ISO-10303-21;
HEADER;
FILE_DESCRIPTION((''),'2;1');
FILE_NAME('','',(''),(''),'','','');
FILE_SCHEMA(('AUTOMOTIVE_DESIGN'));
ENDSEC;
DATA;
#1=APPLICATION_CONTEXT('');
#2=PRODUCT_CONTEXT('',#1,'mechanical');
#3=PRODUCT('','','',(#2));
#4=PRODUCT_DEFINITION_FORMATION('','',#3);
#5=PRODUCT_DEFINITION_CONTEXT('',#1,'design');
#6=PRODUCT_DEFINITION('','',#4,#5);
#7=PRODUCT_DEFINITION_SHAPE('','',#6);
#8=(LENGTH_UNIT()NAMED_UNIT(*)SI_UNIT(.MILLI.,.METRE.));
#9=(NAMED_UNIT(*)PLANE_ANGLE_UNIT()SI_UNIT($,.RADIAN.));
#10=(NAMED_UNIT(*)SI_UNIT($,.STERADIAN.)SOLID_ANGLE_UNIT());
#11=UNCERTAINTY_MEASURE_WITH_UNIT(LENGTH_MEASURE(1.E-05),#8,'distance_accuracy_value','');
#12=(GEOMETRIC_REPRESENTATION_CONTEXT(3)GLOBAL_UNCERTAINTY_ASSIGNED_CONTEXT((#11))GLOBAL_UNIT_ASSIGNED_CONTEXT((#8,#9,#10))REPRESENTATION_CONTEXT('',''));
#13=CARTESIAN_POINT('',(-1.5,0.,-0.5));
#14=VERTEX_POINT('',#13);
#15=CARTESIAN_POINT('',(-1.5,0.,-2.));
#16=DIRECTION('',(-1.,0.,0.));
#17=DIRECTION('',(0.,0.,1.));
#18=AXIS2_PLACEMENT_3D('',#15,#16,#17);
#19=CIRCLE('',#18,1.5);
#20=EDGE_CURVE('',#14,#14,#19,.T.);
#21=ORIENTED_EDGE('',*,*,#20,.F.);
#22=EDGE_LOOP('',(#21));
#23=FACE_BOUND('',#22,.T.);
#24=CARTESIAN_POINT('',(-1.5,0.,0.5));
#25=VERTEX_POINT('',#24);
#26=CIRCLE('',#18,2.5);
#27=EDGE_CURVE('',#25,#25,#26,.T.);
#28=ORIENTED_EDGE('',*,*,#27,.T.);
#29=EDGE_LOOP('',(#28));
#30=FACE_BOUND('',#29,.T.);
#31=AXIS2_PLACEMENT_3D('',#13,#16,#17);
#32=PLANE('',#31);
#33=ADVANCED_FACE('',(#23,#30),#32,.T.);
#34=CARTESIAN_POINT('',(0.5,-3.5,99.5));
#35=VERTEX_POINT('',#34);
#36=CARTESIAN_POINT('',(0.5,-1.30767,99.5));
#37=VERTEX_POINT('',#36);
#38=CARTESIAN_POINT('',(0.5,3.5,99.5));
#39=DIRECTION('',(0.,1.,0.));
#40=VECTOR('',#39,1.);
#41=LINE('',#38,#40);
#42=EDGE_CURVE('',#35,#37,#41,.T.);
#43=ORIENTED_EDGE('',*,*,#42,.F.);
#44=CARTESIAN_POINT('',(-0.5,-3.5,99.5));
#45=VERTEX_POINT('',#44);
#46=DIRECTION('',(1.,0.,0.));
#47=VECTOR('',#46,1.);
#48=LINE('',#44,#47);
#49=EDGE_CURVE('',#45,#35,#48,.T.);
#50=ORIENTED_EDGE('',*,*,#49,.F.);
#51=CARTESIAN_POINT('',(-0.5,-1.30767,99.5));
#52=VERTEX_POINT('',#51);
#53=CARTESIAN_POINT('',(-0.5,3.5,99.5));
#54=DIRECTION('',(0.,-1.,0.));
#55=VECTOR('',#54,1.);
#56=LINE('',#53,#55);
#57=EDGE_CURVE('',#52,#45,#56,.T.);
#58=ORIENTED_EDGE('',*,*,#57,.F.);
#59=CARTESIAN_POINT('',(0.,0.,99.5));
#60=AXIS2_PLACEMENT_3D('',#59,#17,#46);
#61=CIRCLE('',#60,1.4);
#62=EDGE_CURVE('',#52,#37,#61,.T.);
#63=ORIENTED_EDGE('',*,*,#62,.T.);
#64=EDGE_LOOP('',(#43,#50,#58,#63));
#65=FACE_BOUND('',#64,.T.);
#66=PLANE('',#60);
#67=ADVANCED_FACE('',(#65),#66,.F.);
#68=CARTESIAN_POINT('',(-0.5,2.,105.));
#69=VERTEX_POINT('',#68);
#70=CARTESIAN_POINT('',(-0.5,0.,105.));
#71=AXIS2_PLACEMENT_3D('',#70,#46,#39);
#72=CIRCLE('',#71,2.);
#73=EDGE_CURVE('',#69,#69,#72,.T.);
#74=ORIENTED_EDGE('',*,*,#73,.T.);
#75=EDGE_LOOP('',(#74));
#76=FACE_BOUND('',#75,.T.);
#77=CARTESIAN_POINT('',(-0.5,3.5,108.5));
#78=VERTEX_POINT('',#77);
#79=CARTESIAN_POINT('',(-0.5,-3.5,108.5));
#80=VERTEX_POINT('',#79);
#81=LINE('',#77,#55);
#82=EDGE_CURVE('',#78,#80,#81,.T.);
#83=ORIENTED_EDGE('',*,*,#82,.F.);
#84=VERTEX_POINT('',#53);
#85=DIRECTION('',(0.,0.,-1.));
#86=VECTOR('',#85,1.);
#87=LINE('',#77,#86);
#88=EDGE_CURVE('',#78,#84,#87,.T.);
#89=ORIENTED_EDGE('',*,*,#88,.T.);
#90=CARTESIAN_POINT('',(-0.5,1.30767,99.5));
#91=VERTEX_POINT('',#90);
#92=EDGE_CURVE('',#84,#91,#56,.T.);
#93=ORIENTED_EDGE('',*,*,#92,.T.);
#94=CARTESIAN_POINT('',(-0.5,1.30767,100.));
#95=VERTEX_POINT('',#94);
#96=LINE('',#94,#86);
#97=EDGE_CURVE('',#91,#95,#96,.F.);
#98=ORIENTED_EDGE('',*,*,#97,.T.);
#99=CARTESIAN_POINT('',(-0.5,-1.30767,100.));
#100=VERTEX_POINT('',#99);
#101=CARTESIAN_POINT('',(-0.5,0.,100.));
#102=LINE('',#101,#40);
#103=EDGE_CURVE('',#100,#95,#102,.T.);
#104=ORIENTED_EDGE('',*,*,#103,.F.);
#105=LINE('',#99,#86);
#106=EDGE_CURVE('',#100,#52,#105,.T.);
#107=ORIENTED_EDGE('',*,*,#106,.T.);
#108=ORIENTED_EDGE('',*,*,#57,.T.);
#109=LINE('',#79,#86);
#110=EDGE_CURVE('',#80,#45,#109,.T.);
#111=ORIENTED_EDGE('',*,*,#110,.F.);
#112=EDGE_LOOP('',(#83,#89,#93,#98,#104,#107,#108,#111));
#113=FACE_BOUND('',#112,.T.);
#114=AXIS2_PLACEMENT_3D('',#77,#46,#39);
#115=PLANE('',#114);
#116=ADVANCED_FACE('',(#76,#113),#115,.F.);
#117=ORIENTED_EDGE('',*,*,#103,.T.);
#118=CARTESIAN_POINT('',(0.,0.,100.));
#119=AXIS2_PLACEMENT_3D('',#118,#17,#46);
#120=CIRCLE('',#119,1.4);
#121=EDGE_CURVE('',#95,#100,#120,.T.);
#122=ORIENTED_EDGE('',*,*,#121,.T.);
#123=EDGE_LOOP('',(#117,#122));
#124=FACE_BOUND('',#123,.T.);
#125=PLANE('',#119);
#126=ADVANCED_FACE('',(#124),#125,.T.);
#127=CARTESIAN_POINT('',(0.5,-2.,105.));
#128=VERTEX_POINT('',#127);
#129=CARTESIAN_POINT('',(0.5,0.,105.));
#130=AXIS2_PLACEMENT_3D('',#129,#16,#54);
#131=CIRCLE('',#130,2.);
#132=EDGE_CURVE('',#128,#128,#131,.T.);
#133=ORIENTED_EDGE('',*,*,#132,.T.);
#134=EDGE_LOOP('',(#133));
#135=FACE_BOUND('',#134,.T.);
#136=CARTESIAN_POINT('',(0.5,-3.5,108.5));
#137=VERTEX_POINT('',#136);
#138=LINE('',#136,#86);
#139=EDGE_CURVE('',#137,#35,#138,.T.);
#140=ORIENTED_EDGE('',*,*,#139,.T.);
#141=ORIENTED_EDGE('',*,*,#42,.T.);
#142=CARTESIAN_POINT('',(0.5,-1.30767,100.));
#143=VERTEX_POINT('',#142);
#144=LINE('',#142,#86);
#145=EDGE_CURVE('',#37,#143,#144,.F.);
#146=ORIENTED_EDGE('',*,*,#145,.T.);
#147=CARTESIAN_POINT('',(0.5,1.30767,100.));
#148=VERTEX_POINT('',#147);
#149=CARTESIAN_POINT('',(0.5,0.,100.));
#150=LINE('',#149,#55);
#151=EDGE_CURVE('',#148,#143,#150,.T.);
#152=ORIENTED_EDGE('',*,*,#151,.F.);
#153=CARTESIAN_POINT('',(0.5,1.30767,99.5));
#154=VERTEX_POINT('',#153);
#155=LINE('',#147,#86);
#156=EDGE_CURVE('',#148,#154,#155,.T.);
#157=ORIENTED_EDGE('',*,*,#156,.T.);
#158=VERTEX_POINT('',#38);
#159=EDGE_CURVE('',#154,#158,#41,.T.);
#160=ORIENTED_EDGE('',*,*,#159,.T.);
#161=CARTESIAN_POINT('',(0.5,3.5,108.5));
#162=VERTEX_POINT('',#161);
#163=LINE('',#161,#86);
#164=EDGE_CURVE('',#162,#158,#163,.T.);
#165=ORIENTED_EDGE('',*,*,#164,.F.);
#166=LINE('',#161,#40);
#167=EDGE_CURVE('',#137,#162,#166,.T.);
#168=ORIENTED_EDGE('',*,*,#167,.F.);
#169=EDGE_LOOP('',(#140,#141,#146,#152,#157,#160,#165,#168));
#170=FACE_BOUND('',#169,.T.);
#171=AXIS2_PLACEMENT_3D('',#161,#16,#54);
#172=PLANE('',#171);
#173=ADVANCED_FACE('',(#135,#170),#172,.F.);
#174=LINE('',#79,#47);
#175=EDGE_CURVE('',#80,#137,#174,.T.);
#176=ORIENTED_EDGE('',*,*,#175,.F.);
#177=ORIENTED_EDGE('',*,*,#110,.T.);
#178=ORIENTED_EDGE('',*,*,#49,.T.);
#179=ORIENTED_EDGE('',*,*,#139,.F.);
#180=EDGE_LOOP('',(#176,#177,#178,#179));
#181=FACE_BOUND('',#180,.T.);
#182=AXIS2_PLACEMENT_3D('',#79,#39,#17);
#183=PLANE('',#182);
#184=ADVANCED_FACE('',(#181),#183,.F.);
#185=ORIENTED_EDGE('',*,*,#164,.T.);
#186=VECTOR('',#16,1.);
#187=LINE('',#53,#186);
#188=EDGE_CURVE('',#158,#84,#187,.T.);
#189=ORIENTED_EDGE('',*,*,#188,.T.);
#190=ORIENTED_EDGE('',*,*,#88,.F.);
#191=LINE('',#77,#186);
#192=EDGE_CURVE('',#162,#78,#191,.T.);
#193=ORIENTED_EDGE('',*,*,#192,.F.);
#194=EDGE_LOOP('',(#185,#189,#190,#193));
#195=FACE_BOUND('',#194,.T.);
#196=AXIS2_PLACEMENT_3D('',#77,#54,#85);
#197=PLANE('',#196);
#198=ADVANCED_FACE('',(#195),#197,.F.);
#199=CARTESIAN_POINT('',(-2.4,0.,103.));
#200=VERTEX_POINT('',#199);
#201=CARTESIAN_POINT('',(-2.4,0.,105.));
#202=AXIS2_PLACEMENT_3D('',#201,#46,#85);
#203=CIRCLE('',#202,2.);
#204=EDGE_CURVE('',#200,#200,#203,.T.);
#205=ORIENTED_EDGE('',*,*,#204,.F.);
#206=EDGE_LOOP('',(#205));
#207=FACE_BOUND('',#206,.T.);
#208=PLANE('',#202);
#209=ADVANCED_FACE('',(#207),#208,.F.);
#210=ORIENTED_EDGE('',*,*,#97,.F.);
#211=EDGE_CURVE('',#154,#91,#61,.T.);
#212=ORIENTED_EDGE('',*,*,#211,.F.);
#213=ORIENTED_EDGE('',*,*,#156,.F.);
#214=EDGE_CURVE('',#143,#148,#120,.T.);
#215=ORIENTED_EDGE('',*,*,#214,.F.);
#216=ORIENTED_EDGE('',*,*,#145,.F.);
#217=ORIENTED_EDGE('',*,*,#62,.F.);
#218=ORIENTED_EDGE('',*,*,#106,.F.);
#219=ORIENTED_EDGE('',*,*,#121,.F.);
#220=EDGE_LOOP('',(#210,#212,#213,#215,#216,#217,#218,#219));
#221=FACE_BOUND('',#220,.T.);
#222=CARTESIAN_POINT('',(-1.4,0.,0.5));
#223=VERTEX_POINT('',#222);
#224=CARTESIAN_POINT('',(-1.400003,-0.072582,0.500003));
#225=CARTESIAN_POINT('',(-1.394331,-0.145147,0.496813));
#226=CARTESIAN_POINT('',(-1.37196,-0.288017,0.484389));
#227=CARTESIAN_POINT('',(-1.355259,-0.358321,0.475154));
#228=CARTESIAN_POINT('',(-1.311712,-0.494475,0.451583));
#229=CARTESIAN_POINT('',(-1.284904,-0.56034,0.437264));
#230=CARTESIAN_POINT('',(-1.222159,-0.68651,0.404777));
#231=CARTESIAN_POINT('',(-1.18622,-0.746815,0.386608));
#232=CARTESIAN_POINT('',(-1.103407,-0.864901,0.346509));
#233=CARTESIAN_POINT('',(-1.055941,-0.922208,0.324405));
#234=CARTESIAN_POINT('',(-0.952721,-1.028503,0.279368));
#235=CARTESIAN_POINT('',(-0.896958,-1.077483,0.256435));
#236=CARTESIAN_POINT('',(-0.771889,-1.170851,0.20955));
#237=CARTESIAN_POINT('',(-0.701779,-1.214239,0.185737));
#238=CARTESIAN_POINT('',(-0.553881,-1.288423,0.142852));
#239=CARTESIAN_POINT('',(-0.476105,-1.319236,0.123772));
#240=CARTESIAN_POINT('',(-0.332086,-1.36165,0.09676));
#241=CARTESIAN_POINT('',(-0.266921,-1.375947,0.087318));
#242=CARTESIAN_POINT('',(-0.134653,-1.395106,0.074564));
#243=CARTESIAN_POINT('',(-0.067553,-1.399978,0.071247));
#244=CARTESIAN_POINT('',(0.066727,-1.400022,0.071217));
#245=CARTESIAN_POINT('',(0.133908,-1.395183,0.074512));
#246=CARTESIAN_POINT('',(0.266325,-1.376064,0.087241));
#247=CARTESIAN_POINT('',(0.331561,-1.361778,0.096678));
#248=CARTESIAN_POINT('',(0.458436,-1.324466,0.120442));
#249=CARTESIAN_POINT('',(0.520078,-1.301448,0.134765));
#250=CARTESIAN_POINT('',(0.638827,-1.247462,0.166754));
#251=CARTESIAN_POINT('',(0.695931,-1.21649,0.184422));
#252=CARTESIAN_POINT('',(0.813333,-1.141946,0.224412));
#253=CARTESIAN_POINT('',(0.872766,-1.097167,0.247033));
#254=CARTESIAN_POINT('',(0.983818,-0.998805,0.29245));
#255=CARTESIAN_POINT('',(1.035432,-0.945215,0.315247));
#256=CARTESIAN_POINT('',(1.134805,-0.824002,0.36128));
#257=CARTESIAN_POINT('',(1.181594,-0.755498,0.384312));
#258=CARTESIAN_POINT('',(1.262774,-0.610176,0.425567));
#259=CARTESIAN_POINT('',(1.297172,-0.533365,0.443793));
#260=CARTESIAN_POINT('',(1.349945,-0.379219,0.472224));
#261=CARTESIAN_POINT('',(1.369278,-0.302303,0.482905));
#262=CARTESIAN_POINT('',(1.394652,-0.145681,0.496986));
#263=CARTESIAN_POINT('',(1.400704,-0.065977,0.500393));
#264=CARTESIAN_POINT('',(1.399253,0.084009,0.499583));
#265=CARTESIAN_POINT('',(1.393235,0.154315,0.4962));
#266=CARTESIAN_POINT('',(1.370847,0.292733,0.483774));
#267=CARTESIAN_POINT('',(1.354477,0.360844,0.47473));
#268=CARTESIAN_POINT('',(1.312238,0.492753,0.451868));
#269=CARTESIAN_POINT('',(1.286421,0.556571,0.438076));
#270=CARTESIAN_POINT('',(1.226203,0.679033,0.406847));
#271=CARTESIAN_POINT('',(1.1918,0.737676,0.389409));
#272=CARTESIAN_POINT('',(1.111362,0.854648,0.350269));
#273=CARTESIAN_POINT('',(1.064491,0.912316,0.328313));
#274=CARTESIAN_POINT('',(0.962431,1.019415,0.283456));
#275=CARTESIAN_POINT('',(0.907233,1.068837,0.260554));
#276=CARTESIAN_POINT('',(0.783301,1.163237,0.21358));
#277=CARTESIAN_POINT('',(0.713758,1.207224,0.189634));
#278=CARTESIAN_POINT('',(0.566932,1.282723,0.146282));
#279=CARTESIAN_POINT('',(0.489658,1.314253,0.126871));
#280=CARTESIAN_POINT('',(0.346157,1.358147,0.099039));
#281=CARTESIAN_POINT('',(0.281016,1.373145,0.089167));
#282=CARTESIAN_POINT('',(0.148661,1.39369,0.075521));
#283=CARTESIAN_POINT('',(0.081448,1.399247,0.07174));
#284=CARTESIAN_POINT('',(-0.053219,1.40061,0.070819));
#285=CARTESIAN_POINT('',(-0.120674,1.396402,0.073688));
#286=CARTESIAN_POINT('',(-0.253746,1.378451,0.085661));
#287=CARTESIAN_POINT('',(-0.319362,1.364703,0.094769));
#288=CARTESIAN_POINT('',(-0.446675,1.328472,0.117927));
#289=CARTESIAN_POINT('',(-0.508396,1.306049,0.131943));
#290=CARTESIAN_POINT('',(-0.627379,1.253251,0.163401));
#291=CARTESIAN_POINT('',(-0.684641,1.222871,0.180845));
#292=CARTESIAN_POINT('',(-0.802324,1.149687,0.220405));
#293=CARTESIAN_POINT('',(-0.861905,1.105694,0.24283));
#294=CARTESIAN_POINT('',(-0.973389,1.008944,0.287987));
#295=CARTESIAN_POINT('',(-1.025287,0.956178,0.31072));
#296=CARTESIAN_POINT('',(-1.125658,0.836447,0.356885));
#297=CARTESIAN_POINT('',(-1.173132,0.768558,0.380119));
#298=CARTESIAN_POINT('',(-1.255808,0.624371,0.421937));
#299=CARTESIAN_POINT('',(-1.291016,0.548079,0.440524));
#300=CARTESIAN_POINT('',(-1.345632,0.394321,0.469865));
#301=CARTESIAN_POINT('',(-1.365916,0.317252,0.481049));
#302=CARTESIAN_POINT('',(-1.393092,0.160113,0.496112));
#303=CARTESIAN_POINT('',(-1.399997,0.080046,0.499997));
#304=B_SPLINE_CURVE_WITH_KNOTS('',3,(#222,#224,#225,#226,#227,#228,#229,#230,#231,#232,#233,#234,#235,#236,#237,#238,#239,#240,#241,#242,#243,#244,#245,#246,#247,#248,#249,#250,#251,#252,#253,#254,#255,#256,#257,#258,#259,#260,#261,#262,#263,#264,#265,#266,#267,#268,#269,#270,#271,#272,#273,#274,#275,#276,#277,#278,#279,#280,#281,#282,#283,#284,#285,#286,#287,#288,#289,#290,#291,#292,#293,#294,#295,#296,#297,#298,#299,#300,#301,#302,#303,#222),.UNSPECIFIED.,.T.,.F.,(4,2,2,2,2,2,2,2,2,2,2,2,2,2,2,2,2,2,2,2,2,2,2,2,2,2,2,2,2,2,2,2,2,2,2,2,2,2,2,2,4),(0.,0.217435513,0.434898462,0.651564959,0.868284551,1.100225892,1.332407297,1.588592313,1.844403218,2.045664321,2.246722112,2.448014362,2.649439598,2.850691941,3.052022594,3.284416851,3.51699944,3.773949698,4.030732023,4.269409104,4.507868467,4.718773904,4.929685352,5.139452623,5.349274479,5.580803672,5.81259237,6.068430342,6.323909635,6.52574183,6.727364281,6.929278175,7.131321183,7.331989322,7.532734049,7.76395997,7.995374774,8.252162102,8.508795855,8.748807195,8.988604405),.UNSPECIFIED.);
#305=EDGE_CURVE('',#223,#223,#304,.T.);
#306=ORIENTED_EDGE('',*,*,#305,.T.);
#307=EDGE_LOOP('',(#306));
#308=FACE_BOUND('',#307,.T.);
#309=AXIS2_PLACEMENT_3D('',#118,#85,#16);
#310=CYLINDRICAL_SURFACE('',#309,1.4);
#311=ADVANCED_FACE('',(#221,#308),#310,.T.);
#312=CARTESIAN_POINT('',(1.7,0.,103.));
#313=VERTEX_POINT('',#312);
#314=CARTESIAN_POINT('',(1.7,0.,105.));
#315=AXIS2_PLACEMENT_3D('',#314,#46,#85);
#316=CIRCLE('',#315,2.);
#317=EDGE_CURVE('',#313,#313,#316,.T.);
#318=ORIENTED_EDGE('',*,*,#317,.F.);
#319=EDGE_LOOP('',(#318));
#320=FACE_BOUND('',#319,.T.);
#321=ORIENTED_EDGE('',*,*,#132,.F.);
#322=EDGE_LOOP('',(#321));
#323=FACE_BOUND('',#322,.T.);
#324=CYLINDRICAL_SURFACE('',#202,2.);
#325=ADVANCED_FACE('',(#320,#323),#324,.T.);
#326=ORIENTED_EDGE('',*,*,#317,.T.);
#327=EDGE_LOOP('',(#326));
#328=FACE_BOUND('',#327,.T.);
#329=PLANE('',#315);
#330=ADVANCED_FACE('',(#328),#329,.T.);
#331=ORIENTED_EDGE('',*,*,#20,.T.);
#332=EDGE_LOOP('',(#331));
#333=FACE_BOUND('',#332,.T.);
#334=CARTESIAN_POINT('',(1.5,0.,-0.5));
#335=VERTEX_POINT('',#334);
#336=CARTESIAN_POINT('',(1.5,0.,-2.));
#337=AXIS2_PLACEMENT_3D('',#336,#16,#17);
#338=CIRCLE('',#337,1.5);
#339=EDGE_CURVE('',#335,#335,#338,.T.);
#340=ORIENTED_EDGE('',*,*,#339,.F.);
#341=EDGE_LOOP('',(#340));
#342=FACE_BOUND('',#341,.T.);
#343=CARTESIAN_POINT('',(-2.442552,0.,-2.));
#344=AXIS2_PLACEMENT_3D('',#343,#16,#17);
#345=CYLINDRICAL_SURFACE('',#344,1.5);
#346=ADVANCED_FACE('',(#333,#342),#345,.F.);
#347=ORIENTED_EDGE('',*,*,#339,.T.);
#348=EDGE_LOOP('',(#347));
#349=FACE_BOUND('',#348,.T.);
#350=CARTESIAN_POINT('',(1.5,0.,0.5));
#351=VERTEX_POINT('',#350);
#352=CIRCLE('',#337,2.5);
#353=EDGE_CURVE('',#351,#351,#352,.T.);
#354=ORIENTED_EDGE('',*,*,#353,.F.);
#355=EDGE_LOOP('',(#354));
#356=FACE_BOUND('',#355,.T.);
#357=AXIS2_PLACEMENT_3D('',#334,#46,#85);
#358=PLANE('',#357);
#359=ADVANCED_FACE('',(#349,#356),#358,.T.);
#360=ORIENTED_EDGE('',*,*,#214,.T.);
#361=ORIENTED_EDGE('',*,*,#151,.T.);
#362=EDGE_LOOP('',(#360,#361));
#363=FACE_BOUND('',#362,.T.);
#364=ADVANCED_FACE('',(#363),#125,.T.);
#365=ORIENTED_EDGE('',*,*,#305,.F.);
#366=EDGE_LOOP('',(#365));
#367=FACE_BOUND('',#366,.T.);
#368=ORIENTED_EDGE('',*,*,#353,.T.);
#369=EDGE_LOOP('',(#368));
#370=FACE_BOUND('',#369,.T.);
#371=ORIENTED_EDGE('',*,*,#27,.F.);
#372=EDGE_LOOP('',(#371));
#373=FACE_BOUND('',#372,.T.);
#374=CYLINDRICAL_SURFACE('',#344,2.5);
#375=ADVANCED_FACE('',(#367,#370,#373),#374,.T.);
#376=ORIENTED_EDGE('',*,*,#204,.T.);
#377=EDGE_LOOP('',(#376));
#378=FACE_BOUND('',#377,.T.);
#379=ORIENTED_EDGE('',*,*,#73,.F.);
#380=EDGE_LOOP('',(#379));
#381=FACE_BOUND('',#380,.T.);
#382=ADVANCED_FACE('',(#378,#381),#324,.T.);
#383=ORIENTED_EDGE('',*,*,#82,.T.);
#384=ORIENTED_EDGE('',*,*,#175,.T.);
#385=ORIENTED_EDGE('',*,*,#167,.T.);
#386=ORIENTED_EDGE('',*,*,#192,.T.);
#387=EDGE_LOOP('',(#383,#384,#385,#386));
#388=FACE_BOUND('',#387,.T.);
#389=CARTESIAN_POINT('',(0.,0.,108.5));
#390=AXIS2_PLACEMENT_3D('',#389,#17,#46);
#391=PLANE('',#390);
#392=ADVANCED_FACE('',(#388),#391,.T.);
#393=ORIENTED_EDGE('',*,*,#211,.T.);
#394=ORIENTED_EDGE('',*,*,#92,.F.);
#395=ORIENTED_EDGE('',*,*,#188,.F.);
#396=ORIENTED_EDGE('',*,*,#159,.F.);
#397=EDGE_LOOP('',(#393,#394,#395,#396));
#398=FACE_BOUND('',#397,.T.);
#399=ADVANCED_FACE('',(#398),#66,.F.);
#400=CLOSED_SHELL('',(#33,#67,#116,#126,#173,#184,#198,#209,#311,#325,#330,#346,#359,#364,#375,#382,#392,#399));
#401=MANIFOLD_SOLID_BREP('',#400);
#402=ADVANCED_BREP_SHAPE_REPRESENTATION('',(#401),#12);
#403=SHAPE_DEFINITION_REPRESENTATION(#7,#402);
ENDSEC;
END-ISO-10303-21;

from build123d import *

# Parameters (mm, degrees)
SKETCH1_R                = 1.4
BOSS_EXTRUDE1_DEPTH      = 100
SKETCH2_W                = 3
SKETCH2_H                = 1
SKETCH3_W                = 1
SKETCH3_H                = 7
BOSS_EXTRUDE2_DEPTH      = 9
BOSS_EXTRUDE3_DEPTH      = 1.7
BOSS_EXTRUDE3_DEPTH_BACK = 2.4
SKETCH4_R                = 2


with BuildPart() as part:
    # Sketch1 → Boss-Extrude1 (new body)
    with BuildSketch(Plane.XY):
        Circle(SKETCH1_R)
    extrude(amount=BOSS_EXTRUDE1_DEPTH)

    # Sketch2 → Revolve1 (revolve)
    with BuildSketch(Plane(origin=(0, 0, 0), x_dir=(1, 0, 0), z_dir=(0, 1, 0))):
        Rectangle(SKETCH2_W, SKETCH2_H)
    revolve(axis=Axis((-2.442552493, 0, -2), (1, 0, 0)))

    # Sketch3 → Boss-Extrude2 (add)
    with BuildSketch(Plane.XY.offset(99.5)):
        Rectangle(SKETCH3_W, SKETCH3_H)
    extrude(amount=BOSS_EXTRUDE2_DEPTH)

    # Sketch4 → Boss-Extrude3 (add, two sides: drawn at the far end of the back side and taken through both)
    with BuildSketch(Plane(origin=(0, 0, 0), x_dir=(0, 0, -1), z_dir=(1, 0, 0)).offset(-BOSS_EXTRUDE3_DEPTH_BACK)):
        with Locations((-105, 0)):
            Circle(SKETCH4_R)
    extrude(amount=BOSS_EXTRUDE3_DEPTH + BOSS_EXTRUDE3_DEPTH_BACK)


solid = part.part
